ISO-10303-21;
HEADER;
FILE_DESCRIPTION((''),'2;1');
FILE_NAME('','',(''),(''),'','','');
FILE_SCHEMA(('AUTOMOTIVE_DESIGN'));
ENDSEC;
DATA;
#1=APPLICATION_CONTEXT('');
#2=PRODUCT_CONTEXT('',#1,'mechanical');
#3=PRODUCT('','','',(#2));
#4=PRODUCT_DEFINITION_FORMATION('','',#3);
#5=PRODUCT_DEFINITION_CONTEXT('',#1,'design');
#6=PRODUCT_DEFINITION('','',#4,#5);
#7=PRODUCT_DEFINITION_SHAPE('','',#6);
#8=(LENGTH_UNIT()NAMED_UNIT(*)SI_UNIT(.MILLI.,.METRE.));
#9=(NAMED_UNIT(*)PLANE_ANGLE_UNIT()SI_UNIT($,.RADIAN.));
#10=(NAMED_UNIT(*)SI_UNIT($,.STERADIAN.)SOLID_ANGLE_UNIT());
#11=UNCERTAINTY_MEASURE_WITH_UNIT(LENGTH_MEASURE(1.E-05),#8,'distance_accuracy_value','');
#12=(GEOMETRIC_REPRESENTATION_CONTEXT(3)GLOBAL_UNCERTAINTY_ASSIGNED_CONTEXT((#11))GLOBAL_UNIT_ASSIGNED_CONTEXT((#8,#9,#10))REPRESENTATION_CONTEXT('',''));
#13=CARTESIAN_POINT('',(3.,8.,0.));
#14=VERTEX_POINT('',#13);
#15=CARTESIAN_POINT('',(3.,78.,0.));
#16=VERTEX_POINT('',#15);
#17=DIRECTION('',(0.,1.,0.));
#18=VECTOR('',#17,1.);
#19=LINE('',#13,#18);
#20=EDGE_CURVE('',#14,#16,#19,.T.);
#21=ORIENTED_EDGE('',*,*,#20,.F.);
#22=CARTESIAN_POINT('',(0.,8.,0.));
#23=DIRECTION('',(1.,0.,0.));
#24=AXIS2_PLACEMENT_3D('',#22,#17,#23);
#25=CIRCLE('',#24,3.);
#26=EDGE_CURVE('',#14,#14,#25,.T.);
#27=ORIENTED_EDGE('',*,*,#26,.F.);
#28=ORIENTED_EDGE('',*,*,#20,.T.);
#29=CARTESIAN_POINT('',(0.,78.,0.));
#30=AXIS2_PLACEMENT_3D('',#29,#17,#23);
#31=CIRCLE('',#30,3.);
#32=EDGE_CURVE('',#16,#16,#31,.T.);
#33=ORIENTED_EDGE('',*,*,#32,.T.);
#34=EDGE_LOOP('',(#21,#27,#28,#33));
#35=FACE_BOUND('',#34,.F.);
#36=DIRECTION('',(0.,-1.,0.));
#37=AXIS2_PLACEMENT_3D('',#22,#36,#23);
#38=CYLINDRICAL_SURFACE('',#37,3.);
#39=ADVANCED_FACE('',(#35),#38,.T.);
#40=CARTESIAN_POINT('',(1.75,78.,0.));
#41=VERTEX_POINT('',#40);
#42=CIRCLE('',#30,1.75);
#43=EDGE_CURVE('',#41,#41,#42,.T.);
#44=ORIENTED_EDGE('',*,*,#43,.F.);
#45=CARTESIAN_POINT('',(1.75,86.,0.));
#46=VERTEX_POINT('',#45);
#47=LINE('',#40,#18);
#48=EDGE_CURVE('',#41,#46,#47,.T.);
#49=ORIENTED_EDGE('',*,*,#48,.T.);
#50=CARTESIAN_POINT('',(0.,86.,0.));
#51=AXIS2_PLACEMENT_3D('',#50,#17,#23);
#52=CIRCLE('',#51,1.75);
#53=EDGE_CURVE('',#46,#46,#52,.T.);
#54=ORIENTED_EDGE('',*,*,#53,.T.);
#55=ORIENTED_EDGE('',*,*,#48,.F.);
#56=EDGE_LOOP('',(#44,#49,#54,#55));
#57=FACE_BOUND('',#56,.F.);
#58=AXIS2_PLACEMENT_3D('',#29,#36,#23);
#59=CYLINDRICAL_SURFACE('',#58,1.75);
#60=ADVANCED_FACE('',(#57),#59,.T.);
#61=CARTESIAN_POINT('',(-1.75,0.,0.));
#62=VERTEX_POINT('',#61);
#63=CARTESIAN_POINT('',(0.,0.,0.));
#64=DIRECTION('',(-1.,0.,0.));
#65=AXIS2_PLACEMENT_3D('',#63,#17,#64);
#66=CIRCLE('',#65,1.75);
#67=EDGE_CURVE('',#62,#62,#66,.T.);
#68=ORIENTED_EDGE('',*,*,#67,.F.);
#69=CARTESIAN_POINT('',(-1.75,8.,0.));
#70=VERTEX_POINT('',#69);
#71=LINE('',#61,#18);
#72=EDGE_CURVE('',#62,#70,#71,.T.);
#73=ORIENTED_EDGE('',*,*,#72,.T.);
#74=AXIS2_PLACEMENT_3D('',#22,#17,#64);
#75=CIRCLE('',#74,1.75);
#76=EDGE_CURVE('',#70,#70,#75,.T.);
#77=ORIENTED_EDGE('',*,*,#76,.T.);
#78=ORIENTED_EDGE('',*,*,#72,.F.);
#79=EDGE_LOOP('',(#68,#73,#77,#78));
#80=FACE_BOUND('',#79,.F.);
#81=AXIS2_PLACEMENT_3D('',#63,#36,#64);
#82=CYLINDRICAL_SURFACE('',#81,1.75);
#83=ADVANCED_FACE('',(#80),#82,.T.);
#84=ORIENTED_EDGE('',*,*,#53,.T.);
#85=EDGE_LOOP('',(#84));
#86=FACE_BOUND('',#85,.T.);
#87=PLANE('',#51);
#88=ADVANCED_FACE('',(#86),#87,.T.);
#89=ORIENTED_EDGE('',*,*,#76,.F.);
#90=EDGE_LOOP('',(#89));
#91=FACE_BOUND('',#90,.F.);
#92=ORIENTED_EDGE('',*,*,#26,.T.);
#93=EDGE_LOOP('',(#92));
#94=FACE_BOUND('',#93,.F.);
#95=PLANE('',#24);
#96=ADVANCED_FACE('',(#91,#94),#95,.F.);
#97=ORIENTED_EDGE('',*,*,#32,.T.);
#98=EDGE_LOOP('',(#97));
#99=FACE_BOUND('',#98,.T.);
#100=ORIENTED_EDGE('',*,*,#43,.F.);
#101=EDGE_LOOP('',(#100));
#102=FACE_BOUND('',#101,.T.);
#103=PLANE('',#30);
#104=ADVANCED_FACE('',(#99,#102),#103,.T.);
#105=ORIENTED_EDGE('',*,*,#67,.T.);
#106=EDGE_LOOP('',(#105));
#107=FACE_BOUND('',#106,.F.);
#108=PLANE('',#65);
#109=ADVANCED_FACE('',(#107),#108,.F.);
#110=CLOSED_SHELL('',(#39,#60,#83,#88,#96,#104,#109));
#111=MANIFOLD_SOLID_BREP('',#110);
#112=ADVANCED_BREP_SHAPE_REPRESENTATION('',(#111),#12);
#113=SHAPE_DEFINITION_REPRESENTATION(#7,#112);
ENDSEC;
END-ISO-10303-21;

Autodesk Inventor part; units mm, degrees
ref_plane "XZ Plane" through (0, 0, 0) normal (0, 1, 0) x (-1, 0, 0)
sketch "Szkic1" plane through (0, 0, 0) normal (0, 1, 0) x (-1, 0, 0)
  circle A0 centre (0, 0) radius 1.75
  dimension "d0" = 3.5
extrude "Wyciągnięcie proste1" add sketch "Szkic1" along normal blind 8
sketch "Szkic2" plane through (0, 8, 0) normal (0, 1, 0) x (1, 0, 0)
  circle A0 centre (0, 0) radius 3
  dimension "d3" = 6
extrude "Wyciągnięcie proste2" add sketch "Szkic2" along normal blind 70
sketch "Szkic3" plane through (0, 78, 0) normal (0, 1, 0) x (1, 0, 0)
  circle A0 centre (0, 0) radius 1.75 projected
  circle A1 centre (0, 0) radius 1.75
  dimension "d6" = 3.5
extrude "Wyciągnięcie proste3" add sketch "Szkic3" along normal blind 8
properties part number "rod_longer"
